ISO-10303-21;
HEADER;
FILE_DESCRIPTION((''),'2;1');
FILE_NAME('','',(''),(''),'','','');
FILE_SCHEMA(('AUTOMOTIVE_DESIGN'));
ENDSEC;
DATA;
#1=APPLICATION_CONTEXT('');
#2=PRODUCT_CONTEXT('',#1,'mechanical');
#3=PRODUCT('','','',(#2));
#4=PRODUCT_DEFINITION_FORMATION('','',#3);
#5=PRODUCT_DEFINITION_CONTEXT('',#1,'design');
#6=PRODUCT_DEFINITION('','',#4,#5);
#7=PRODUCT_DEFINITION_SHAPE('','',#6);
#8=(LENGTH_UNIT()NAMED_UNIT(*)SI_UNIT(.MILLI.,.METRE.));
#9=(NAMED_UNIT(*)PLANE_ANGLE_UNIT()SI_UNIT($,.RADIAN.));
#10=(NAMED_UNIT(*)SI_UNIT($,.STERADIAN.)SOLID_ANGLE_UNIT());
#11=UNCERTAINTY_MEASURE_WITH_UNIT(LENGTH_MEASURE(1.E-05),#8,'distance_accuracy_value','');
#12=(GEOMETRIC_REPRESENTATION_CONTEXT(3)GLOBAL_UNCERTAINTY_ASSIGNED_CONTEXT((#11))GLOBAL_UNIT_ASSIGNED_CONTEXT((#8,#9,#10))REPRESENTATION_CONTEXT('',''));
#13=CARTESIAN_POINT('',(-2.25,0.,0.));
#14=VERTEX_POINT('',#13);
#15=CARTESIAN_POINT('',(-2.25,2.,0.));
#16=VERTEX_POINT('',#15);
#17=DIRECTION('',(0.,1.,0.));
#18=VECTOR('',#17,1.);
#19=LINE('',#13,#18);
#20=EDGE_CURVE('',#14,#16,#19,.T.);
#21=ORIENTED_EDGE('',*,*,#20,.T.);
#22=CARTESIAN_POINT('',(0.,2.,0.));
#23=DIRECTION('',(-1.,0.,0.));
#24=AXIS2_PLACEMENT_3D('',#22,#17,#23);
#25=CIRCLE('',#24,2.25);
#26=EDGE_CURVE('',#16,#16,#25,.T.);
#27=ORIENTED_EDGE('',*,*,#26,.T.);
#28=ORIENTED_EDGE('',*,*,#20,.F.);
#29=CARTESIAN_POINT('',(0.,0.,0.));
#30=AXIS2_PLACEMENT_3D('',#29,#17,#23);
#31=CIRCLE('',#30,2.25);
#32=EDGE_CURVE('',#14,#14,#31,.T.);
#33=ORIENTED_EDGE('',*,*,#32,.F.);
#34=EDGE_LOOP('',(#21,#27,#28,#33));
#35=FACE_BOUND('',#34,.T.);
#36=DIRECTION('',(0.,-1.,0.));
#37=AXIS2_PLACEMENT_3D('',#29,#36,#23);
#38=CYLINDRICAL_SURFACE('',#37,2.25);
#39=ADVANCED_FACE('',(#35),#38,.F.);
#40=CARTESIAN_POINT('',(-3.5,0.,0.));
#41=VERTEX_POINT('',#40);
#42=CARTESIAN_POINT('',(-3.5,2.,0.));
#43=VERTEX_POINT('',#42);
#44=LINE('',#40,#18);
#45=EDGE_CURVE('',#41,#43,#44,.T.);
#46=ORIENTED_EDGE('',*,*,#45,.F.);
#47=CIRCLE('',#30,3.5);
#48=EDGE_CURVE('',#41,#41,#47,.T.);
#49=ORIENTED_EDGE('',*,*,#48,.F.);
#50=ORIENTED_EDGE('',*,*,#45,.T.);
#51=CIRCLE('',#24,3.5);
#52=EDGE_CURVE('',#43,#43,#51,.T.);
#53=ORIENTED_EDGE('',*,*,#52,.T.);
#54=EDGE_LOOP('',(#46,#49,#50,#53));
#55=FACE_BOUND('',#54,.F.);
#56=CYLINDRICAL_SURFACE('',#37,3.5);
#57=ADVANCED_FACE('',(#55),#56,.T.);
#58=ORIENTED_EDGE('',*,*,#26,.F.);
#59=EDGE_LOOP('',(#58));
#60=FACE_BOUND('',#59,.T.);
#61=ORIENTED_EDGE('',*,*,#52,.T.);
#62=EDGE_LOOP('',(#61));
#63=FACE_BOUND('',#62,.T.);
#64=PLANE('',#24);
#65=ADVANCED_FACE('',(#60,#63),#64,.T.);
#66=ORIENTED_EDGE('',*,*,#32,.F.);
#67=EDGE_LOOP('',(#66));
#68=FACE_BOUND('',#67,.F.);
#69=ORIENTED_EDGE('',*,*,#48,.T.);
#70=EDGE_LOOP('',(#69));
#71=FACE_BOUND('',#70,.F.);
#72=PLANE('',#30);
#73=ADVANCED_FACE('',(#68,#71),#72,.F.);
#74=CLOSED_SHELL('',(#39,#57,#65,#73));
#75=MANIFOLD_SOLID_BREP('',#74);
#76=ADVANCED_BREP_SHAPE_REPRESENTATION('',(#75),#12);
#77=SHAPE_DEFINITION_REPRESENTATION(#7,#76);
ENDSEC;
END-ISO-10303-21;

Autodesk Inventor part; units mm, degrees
ref_plane "YZ Plane" through (0, 0, 0) normal (1, 0, 0) x (0, 1, 0)
ref_plane "XZ Plane" through (0, 0, 0) normal (0, 1, 0) x (-1, 0, 0)
ref_plane "XY Plane" through (0, 0, 0) normal (0, 0, 1) x (1, 0, 0)
sketch "Esquisse1" plane through (0, 0, 0) normal (0, 1, 0) x (-1, 0, 0)
  circle A0 centre (0, 0) radius 3.5
  circle A1 centre (0, 0) radius 2.25
  dimension "d0" = 4.5
  dimension "d1" = 7
extrude "Extrusion1" add sketch "Esquisse1" along normal blind 2
properties part number "entretoise_2"
